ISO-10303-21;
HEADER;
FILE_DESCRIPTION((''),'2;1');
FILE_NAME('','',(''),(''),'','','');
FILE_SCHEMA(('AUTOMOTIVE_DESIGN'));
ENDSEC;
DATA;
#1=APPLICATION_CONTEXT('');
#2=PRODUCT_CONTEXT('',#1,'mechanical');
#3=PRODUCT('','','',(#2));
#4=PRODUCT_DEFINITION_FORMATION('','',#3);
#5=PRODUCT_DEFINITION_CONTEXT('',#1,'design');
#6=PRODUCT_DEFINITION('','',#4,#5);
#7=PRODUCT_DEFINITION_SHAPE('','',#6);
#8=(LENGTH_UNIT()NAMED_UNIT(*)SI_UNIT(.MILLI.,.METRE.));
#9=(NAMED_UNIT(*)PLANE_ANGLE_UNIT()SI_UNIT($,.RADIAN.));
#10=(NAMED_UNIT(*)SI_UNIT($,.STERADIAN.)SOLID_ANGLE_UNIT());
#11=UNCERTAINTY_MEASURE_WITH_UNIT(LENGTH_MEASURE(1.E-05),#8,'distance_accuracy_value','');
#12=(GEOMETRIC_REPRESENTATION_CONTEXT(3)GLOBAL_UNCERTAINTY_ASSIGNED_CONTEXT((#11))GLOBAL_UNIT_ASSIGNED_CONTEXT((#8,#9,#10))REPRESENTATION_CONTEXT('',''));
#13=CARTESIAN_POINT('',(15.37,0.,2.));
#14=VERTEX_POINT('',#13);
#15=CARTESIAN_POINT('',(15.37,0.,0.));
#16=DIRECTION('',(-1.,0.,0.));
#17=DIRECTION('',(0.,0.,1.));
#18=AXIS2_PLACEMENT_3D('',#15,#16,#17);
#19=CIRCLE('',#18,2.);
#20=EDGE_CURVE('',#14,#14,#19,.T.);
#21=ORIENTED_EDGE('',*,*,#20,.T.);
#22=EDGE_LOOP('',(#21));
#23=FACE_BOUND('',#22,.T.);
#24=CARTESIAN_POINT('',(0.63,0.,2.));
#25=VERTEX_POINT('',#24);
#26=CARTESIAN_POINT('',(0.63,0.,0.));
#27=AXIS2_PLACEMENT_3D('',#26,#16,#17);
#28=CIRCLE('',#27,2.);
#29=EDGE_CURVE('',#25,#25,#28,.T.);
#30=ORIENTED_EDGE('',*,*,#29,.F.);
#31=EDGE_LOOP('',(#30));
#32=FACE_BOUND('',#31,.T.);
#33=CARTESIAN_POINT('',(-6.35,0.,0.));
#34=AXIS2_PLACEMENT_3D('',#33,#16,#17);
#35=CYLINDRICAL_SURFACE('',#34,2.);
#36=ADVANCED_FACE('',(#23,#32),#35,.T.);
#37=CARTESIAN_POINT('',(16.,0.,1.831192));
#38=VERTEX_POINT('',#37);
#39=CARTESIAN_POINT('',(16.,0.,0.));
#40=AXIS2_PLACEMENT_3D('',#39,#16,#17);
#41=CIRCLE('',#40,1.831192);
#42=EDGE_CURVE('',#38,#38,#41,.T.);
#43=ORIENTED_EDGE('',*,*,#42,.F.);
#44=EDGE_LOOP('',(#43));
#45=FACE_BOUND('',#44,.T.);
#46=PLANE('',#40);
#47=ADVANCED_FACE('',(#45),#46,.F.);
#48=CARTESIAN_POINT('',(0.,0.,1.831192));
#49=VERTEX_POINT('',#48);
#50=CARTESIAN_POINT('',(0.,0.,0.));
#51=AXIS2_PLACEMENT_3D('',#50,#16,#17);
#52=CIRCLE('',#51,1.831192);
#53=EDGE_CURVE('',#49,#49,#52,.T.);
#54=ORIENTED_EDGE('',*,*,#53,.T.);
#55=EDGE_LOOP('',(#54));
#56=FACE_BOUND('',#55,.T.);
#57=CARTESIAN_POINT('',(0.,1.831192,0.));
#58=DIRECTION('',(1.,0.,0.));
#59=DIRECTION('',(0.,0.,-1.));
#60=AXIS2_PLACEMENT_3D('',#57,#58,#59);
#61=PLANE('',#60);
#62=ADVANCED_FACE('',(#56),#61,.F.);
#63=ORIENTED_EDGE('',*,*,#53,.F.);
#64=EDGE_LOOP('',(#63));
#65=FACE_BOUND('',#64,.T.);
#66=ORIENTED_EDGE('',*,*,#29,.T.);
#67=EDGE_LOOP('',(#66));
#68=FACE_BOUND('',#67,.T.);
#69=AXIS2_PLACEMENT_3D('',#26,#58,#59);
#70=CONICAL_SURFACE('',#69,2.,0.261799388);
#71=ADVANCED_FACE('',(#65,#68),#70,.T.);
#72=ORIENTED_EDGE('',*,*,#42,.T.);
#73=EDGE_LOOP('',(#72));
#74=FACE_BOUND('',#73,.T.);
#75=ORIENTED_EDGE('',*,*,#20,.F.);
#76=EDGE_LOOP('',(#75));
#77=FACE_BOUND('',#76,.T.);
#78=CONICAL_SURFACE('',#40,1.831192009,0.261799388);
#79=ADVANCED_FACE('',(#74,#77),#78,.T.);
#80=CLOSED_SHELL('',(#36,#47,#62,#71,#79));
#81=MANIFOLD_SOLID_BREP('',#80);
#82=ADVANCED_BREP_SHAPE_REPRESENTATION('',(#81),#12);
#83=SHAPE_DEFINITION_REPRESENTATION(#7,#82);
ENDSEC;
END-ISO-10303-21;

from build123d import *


with BuildPart() as part:
    # Sketch1 → Base-Revolve (revolve)
    with BuildSketch(Plane.XY, mode=Mode.PRIVATE) as base_revolve_sk:
        Polygon((0, 0), (16, 0), (16, 1.831192009), (15.37, 2), (0.63, 2), (0, 1.831192009), align=None)
    revolve(base_revolve_sk.sketch.rotate(Axis((-6.35, 0, 0), (1, 0, 0)), 90), axis=Axis((-6.35, 0, 0), (1, 0, 0)))


solid = part.part
